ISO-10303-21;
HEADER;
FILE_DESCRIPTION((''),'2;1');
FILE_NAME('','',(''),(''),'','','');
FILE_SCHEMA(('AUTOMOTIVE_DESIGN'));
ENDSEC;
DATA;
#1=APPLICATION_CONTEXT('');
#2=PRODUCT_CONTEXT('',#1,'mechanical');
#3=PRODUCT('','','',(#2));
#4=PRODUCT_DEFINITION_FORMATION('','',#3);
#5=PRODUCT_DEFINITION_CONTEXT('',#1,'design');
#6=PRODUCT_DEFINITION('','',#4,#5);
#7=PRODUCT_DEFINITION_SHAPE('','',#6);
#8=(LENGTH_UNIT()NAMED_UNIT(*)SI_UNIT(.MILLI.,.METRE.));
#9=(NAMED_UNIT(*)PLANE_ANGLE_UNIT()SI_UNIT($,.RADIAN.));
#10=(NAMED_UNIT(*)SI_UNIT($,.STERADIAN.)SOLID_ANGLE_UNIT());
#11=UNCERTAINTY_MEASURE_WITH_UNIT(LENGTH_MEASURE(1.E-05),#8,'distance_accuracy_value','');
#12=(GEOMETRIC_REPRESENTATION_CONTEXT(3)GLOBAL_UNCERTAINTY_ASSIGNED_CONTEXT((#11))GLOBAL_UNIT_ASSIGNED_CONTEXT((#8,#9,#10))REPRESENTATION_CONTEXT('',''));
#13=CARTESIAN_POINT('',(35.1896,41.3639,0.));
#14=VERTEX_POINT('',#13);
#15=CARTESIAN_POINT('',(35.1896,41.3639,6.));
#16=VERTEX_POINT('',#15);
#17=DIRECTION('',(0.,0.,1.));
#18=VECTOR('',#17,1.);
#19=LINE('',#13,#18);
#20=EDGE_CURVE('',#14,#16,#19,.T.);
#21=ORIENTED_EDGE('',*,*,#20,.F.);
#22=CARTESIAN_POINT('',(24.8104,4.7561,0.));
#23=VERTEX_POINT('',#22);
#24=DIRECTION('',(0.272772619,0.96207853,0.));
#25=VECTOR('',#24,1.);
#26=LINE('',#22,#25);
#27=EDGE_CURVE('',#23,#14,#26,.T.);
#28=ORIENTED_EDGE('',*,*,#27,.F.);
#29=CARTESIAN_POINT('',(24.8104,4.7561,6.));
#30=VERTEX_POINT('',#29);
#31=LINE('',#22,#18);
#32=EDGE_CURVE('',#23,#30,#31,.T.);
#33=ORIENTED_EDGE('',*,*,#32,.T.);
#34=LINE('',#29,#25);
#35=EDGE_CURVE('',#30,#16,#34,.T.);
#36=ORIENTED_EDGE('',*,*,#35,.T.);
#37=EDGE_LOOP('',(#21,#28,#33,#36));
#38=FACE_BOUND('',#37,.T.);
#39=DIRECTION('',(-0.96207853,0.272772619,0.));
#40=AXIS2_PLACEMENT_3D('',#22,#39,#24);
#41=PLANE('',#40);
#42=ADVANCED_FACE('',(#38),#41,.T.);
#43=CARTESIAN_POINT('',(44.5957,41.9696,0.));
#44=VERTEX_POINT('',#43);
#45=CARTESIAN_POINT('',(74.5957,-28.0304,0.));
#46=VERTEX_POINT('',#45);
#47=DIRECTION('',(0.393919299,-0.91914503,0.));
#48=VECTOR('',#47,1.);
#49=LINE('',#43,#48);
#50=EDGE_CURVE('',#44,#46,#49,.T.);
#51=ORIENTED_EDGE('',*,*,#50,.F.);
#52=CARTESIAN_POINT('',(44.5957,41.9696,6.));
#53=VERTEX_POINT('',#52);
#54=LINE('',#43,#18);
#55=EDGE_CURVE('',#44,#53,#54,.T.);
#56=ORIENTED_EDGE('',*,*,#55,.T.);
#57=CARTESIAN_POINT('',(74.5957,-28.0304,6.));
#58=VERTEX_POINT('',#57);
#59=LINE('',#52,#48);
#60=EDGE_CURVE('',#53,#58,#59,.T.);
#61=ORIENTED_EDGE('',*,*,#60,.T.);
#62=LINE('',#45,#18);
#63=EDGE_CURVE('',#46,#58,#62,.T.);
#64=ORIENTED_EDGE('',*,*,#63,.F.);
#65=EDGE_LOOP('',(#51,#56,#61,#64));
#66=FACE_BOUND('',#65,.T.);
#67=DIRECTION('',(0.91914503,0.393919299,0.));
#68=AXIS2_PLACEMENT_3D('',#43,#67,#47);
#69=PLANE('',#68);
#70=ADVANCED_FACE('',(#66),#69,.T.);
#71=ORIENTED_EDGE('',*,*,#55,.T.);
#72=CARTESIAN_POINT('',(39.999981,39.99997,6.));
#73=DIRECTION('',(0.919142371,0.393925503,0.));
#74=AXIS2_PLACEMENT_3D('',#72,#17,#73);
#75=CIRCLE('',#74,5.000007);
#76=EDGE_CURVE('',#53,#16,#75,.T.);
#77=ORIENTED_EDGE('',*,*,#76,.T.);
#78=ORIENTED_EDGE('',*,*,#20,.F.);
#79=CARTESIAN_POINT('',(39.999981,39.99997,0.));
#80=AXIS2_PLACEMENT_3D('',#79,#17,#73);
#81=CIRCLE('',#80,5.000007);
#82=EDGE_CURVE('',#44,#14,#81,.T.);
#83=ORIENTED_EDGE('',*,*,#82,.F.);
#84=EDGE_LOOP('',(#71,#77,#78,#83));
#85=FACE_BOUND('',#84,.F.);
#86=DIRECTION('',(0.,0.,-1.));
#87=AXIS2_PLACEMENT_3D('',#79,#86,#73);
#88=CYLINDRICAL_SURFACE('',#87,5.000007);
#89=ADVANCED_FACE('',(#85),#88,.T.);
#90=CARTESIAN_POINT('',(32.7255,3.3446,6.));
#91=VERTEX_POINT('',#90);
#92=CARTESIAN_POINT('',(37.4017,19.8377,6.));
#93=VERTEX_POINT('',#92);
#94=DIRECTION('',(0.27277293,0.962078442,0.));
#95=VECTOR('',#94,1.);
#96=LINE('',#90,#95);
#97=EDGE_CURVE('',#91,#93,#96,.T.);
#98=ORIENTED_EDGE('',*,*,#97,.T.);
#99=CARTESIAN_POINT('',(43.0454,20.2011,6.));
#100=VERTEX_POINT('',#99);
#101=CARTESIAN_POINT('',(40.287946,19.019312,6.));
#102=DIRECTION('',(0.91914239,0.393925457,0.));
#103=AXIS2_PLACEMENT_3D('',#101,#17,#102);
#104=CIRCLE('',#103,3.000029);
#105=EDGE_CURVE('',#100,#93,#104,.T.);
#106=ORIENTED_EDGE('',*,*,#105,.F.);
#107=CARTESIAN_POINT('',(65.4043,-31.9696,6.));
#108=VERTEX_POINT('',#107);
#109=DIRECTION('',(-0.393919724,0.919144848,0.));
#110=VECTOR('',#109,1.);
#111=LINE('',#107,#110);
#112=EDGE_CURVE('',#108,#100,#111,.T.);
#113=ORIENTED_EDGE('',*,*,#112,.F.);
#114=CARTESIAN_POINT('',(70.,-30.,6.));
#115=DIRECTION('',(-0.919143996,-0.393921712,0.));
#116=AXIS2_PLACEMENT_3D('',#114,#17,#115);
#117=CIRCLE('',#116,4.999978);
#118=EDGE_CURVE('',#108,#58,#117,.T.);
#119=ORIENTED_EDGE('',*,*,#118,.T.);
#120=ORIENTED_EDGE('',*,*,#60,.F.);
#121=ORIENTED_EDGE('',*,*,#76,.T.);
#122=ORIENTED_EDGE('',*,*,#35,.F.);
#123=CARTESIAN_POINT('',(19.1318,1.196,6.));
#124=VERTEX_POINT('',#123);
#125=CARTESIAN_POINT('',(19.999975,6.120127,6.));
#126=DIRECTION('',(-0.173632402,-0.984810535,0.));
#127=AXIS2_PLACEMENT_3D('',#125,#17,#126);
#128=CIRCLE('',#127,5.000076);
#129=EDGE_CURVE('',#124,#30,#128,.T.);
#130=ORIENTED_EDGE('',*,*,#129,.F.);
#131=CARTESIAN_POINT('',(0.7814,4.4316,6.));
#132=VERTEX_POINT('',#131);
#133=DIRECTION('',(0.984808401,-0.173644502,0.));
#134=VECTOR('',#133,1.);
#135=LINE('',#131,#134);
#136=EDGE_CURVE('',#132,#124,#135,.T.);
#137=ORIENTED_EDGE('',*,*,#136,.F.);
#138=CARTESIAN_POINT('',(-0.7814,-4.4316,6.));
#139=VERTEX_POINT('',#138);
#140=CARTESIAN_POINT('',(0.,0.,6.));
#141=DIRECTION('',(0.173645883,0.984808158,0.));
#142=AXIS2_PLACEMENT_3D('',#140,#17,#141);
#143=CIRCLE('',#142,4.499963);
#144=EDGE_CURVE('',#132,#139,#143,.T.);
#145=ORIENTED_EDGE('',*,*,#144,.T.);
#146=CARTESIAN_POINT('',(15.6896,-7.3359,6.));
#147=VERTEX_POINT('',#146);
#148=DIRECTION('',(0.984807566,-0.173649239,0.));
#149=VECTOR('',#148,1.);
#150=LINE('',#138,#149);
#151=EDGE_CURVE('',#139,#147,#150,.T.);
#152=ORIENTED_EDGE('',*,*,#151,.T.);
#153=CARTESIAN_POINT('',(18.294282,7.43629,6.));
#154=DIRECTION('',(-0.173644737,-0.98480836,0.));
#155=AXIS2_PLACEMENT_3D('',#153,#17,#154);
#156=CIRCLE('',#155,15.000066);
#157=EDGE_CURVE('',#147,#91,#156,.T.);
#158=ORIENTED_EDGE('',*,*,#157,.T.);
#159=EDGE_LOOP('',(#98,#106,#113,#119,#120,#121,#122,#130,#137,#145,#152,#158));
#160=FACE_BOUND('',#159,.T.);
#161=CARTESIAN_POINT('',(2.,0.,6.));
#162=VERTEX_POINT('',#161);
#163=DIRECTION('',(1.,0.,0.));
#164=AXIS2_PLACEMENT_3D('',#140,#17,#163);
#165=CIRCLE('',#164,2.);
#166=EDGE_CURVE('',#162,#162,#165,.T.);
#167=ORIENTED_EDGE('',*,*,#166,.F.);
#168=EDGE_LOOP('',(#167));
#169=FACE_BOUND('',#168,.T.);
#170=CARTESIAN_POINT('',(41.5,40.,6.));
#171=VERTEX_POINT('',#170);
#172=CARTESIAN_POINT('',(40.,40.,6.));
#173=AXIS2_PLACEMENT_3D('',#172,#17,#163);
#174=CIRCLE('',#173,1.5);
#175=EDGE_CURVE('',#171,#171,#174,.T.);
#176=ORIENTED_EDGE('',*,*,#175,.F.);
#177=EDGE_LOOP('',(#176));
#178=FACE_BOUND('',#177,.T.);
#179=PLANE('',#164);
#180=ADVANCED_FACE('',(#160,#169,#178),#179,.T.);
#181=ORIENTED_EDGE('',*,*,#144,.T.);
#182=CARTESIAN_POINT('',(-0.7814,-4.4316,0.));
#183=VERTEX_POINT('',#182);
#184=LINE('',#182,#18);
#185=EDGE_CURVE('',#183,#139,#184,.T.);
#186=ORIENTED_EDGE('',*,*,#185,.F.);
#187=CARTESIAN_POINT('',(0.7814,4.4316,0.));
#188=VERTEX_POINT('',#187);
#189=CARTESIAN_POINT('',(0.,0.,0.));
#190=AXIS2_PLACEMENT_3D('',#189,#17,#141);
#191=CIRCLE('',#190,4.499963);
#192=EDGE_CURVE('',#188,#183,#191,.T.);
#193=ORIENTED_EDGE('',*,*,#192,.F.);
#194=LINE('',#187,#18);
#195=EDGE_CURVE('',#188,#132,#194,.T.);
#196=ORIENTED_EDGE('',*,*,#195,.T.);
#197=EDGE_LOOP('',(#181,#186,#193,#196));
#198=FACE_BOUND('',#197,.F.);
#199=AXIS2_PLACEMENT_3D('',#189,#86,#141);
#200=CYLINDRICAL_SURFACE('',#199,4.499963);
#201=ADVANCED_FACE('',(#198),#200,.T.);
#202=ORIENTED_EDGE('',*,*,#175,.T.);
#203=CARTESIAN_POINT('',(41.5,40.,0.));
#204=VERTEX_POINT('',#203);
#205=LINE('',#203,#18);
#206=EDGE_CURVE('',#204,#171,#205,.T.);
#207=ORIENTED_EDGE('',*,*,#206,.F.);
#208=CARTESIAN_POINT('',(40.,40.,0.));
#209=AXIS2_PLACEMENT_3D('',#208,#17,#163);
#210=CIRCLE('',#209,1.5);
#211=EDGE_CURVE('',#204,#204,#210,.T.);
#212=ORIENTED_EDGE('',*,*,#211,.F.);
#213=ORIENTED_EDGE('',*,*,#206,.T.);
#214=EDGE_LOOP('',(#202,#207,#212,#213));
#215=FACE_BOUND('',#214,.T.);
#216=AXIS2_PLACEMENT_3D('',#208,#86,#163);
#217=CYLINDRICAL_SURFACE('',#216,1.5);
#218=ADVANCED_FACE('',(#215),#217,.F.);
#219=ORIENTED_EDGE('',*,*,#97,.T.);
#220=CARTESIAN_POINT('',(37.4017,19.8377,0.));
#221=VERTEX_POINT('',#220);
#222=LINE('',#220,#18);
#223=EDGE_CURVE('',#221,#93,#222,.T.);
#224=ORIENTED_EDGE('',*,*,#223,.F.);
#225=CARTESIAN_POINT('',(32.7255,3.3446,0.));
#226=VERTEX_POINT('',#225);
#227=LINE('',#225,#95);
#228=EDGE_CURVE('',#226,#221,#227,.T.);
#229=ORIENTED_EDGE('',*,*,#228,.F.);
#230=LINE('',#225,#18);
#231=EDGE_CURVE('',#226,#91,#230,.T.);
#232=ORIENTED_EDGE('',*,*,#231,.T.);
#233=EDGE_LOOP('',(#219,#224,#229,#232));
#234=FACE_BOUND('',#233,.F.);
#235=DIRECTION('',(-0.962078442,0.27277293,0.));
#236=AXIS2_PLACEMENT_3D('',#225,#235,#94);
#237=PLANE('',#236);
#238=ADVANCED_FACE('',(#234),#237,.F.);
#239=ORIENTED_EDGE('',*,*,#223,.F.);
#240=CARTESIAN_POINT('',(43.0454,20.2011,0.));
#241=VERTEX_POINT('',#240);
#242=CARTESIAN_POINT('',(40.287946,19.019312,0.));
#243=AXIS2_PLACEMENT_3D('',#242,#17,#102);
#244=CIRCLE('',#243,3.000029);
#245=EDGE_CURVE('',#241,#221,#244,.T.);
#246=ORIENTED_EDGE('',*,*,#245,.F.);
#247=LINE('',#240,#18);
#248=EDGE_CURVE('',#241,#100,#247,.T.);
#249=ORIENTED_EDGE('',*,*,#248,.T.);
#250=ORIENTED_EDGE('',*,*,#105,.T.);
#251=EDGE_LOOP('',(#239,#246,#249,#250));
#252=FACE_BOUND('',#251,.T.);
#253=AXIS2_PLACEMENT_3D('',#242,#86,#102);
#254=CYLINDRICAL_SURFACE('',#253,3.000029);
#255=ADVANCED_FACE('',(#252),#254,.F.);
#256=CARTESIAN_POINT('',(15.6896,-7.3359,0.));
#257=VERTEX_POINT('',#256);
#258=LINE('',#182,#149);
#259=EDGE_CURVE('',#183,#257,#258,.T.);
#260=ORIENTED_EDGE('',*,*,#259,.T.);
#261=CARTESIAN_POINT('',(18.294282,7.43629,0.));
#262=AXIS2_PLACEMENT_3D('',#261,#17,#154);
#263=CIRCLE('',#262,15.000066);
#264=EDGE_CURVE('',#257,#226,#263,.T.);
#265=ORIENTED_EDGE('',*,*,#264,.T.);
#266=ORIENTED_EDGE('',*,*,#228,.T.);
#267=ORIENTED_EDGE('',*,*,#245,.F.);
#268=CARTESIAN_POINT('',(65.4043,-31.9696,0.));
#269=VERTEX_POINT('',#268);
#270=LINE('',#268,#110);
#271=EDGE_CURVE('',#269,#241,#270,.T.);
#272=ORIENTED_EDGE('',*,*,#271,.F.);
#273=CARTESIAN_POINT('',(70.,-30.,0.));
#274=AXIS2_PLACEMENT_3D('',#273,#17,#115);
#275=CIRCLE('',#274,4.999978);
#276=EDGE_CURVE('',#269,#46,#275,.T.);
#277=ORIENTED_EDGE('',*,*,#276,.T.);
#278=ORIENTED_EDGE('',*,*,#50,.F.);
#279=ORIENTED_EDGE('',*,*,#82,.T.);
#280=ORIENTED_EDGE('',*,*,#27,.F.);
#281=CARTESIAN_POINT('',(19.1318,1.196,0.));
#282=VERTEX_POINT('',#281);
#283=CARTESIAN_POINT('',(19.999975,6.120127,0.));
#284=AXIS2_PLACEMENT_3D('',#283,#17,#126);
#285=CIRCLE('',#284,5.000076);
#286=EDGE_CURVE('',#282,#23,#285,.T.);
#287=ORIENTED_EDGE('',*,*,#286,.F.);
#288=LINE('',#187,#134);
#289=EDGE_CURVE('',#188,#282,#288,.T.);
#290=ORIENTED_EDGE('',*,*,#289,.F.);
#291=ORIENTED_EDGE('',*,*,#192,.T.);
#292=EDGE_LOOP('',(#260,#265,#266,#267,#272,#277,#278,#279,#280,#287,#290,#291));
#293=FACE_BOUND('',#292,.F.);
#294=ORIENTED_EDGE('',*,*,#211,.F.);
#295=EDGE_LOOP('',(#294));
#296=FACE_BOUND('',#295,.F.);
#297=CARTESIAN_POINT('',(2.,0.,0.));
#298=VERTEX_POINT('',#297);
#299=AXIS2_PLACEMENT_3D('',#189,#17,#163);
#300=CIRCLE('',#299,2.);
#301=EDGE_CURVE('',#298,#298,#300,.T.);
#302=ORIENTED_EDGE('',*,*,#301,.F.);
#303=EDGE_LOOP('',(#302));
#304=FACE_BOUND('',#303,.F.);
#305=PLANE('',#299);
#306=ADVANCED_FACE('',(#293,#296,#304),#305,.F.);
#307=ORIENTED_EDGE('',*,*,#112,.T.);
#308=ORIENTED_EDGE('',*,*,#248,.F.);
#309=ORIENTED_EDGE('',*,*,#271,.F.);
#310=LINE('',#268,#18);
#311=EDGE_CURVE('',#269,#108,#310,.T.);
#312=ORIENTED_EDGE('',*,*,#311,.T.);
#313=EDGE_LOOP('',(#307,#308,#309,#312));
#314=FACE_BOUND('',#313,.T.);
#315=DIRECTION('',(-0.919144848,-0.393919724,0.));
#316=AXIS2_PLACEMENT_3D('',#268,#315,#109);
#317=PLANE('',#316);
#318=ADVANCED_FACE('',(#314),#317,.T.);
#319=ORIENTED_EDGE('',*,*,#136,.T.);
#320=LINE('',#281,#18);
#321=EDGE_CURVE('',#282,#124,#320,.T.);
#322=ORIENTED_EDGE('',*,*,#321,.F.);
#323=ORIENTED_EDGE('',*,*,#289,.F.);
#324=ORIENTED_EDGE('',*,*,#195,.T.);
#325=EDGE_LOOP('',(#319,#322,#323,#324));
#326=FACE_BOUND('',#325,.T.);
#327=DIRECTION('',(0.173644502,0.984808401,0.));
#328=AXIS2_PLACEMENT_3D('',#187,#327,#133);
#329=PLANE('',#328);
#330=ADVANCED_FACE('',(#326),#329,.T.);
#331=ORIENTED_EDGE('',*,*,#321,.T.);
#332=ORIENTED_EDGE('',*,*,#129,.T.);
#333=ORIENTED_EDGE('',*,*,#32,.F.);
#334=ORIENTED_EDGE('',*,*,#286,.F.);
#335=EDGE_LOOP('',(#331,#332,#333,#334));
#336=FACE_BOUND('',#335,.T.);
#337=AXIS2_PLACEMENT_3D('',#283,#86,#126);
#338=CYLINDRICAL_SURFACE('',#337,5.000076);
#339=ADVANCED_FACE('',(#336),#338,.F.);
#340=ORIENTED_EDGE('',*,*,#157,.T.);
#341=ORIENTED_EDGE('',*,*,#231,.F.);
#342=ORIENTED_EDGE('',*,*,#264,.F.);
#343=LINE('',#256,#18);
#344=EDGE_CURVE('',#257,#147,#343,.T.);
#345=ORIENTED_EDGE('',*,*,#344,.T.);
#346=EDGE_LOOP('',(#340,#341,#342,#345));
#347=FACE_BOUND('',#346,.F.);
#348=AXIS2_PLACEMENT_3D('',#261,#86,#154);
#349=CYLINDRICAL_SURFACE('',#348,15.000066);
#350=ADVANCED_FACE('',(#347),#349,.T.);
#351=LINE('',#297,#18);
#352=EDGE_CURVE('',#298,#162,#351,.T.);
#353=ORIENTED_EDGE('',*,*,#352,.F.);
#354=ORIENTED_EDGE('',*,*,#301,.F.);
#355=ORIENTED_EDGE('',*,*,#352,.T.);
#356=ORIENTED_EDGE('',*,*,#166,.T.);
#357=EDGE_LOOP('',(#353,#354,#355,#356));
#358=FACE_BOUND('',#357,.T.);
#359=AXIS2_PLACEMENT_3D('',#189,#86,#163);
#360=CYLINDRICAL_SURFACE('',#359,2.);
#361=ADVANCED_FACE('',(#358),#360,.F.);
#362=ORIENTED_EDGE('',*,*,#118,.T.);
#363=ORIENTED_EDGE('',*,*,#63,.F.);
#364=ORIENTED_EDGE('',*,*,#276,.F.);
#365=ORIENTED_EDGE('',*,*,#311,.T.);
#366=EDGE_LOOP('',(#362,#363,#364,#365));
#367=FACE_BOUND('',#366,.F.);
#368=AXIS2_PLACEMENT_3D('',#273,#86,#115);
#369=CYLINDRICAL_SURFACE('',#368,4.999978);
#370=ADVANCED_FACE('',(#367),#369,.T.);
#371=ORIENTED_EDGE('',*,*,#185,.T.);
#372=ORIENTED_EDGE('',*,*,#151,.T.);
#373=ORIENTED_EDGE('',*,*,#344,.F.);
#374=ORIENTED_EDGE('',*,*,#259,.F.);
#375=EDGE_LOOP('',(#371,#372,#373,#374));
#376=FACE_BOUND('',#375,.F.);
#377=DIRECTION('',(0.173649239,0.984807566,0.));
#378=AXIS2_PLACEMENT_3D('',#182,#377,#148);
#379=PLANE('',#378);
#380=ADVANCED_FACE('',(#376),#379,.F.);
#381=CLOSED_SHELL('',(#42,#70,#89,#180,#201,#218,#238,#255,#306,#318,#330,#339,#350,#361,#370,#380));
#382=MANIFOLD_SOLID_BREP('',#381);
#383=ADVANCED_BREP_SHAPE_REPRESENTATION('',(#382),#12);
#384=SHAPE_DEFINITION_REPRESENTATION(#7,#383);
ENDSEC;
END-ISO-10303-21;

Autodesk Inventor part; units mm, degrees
ref_plane "YZ Plane" through (0, 0, 0) normal (1, 0, 0) x (0, 1, 0)
ref_plane "XZ Plane" through (0, 0, 0) normal (0, 1, 0) x (-1, 0, 0)
ref_plane "XY Plane" through (0, 0, 0) normal (0, 0, 1) x (1, 0, 0)
sketch "Sketch1" plane through (0, 0, 0) normal (0, 0, 1) x (1, 0, 0)
  circle A0 centre (0, 0) radius 2
  arc A1 (0.7814, 4.4316) -> (-0.7814, -4.4316) centre (0, 0) ccw
  arc A2 (44.5957, 41.9696) -> (35.1896, 41.3639) centre (40, 40) ccw
  line L0 (44.5957, 41.9696) -> (74.5957, -28.0304)
  arc A3 (65.4043, -31.9696) -> (74.5957, -28.0304) centre (70, -30) ccw
  circle A4 centre (40, 40) radius 1.5
  line L1 (0, 0) -> (46.8621, 0) construction
  line L2 (65.4043, -31.9696) -> (43.0454, 20.2011)
  line L3 (0.7814, 4.4316) -> (19.1318, 1.196)
  arc A5 (19.1318, 1.196) -> (24.8104, 4.7561) centre (20, 6.12) ccw
  line L4 (24.8104, 4.7561) -> (35.1896, 41.3639)
  line L5 (-0.7814, -4.4316) -> (15.6896, -7.3359)
  arc A6 (15.6896, -7.3359) -> (32.7255, 3.3446) centre (18.2943, 7.4362) ccw
  line L6 (32.7255, 3.3446) -> (37.4017, 19.8377)
  arc A7 (43.0454, 20.2011) -> (37.4017, 19.8377) centre (40.288, 19.0194) ccw
  dimension "d0" = 4
  dimension "d1" = 3
  dimension "d2" = 4.5
  dimension "d5" = 40
  dimension "d6" = 5
  dimension "d8" = 10
  dimension "d9" = 40
  dimension "d10" = 30
  dimension "d11" = 70
  dimension "d12" = 10
  dimension "d13" = 20
  dimension "d14" = 8
  dimension "d15" = 5
  dimension "d16" = 15
  dimension "d17" = 3
extrude "Extrusion1" add sketch "Sketch1" along normal blind 6
properties part number "Leg3"
